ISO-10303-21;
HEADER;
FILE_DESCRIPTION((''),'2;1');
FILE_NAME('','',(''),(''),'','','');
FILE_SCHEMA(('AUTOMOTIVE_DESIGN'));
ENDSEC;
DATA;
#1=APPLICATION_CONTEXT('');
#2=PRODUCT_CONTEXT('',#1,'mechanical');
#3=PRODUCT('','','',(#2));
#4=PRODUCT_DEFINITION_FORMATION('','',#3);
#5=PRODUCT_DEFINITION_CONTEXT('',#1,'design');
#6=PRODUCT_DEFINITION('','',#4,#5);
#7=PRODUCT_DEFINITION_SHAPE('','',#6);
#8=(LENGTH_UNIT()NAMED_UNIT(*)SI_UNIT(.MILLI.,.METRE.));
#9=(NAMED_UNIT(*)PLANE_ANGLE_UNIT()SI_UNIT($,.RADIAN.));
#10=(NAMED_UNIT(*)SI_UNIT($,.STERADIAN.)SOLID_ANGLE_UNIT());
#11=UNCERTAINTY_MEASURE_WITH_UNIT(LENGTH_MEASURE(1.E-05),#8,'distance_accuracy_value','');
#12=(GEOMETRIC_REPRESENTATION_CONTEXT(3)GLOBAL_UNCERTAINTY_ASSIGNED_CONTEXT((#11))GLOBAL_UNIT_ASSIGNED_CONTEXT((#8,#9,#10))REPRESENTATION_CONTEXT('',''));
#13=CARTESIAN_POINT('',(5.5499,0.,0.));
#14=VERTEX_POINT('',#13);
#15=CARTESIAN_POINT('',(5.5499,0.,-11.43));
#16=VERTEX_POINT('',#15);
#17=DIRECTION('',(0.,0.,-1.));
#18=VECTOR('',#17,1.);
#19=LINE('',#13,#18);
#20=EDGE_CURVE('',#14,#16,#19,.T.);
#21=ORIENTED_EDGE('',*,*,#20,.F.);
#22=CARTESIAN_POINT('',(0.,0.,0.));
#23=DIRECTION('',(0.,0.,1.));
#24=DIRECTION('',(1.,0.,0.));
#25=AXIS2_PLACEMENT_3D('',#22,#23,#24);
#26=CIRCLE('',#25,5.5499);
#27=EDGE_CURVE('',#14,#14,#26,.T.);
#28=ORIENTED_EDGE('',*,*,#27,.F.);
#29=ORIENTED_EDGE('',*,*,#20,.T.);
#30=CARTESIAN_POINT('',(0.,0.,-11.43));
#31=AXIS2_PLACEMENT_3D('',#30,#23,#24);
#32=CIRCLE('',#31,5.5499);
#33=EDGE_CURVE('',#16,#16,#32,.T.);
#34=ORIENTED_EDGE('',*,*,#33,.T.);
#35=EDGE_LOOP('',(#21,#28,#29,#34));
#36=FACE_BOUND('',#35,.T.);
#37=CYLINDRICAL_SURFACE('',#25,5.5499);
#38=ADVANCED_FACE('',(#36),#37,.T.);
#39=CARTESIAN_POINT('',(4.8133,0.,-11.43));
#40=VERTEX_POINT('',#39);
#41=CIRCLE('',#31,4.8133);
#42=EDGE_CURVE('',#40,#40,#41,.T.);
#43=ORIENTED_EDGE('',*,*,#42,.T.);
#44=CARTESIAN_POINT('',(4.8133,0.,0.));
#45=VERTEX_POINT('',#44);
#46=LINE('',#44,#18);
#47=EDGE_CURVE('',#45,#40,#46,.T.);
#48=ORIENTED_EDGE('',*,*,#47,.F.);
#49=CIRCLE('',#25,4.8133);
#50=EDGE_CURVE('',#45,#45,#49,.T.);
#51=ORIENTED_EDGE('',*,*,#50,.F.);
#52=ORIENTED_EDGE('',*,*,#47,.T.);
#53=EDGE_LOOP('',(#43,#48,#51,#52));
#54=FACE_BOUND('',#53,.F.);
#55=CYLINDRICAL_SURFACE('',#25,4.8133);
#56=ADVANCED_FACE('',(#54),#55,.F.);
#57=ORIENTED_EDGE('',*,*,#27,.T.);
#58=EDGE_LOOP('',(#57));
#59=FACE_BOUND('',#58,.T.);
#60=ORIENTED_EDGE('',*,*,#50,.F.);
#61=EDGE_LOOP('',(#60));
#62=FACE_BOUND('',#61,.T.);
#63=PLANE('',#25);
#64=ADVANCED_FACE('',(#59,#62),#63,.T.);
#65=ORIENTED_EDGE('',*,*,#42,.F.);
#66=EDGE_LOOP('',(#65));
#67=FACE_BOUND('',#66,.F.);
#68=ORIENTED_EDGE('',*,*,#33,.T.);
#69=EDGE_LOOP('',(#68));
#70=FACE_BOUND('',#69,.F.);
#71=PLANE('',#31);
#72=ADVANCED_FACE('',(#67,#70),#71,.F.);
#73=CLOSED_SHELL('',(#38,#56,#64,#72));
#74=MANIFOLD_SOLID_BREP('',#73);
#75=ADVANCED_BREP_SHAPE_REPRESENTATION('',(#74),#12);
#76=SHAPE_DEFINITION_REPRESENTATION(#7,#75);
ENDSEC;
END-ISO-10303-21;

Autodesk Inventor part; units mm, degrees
ref_plane "YZ Plane" through (0, 0, 0) normal (1, 0, 0) x (0, 1, 0)
ref_plane "XZ Plane" through (0, 0, 0) normal (0, 1, 0) x (-1, 0, 0)
ref_plane "XY Plane" through (0, 0, 0) normal (0, 0, 1) x (1, 0, 0)
sketch "Sketch1" plane through (0, 0, 0) normal (0, 0, 1) x (1, 0, 0)
  circle A0 centre (0, 0) radius 4.8133
  circle A1 centre (0, 0) radius 5.5499
  dimension "d0" = 9.6266
  dimension "d2" = 11.0998
extrude "Extrusion1" add sketch "Sketch1" against normal blind 11.43
properties part number "DBK_0820Spacer_am-2243 (modified for Shooter Shaft Spacer 2)" material "Brass, Soft Yellow"
